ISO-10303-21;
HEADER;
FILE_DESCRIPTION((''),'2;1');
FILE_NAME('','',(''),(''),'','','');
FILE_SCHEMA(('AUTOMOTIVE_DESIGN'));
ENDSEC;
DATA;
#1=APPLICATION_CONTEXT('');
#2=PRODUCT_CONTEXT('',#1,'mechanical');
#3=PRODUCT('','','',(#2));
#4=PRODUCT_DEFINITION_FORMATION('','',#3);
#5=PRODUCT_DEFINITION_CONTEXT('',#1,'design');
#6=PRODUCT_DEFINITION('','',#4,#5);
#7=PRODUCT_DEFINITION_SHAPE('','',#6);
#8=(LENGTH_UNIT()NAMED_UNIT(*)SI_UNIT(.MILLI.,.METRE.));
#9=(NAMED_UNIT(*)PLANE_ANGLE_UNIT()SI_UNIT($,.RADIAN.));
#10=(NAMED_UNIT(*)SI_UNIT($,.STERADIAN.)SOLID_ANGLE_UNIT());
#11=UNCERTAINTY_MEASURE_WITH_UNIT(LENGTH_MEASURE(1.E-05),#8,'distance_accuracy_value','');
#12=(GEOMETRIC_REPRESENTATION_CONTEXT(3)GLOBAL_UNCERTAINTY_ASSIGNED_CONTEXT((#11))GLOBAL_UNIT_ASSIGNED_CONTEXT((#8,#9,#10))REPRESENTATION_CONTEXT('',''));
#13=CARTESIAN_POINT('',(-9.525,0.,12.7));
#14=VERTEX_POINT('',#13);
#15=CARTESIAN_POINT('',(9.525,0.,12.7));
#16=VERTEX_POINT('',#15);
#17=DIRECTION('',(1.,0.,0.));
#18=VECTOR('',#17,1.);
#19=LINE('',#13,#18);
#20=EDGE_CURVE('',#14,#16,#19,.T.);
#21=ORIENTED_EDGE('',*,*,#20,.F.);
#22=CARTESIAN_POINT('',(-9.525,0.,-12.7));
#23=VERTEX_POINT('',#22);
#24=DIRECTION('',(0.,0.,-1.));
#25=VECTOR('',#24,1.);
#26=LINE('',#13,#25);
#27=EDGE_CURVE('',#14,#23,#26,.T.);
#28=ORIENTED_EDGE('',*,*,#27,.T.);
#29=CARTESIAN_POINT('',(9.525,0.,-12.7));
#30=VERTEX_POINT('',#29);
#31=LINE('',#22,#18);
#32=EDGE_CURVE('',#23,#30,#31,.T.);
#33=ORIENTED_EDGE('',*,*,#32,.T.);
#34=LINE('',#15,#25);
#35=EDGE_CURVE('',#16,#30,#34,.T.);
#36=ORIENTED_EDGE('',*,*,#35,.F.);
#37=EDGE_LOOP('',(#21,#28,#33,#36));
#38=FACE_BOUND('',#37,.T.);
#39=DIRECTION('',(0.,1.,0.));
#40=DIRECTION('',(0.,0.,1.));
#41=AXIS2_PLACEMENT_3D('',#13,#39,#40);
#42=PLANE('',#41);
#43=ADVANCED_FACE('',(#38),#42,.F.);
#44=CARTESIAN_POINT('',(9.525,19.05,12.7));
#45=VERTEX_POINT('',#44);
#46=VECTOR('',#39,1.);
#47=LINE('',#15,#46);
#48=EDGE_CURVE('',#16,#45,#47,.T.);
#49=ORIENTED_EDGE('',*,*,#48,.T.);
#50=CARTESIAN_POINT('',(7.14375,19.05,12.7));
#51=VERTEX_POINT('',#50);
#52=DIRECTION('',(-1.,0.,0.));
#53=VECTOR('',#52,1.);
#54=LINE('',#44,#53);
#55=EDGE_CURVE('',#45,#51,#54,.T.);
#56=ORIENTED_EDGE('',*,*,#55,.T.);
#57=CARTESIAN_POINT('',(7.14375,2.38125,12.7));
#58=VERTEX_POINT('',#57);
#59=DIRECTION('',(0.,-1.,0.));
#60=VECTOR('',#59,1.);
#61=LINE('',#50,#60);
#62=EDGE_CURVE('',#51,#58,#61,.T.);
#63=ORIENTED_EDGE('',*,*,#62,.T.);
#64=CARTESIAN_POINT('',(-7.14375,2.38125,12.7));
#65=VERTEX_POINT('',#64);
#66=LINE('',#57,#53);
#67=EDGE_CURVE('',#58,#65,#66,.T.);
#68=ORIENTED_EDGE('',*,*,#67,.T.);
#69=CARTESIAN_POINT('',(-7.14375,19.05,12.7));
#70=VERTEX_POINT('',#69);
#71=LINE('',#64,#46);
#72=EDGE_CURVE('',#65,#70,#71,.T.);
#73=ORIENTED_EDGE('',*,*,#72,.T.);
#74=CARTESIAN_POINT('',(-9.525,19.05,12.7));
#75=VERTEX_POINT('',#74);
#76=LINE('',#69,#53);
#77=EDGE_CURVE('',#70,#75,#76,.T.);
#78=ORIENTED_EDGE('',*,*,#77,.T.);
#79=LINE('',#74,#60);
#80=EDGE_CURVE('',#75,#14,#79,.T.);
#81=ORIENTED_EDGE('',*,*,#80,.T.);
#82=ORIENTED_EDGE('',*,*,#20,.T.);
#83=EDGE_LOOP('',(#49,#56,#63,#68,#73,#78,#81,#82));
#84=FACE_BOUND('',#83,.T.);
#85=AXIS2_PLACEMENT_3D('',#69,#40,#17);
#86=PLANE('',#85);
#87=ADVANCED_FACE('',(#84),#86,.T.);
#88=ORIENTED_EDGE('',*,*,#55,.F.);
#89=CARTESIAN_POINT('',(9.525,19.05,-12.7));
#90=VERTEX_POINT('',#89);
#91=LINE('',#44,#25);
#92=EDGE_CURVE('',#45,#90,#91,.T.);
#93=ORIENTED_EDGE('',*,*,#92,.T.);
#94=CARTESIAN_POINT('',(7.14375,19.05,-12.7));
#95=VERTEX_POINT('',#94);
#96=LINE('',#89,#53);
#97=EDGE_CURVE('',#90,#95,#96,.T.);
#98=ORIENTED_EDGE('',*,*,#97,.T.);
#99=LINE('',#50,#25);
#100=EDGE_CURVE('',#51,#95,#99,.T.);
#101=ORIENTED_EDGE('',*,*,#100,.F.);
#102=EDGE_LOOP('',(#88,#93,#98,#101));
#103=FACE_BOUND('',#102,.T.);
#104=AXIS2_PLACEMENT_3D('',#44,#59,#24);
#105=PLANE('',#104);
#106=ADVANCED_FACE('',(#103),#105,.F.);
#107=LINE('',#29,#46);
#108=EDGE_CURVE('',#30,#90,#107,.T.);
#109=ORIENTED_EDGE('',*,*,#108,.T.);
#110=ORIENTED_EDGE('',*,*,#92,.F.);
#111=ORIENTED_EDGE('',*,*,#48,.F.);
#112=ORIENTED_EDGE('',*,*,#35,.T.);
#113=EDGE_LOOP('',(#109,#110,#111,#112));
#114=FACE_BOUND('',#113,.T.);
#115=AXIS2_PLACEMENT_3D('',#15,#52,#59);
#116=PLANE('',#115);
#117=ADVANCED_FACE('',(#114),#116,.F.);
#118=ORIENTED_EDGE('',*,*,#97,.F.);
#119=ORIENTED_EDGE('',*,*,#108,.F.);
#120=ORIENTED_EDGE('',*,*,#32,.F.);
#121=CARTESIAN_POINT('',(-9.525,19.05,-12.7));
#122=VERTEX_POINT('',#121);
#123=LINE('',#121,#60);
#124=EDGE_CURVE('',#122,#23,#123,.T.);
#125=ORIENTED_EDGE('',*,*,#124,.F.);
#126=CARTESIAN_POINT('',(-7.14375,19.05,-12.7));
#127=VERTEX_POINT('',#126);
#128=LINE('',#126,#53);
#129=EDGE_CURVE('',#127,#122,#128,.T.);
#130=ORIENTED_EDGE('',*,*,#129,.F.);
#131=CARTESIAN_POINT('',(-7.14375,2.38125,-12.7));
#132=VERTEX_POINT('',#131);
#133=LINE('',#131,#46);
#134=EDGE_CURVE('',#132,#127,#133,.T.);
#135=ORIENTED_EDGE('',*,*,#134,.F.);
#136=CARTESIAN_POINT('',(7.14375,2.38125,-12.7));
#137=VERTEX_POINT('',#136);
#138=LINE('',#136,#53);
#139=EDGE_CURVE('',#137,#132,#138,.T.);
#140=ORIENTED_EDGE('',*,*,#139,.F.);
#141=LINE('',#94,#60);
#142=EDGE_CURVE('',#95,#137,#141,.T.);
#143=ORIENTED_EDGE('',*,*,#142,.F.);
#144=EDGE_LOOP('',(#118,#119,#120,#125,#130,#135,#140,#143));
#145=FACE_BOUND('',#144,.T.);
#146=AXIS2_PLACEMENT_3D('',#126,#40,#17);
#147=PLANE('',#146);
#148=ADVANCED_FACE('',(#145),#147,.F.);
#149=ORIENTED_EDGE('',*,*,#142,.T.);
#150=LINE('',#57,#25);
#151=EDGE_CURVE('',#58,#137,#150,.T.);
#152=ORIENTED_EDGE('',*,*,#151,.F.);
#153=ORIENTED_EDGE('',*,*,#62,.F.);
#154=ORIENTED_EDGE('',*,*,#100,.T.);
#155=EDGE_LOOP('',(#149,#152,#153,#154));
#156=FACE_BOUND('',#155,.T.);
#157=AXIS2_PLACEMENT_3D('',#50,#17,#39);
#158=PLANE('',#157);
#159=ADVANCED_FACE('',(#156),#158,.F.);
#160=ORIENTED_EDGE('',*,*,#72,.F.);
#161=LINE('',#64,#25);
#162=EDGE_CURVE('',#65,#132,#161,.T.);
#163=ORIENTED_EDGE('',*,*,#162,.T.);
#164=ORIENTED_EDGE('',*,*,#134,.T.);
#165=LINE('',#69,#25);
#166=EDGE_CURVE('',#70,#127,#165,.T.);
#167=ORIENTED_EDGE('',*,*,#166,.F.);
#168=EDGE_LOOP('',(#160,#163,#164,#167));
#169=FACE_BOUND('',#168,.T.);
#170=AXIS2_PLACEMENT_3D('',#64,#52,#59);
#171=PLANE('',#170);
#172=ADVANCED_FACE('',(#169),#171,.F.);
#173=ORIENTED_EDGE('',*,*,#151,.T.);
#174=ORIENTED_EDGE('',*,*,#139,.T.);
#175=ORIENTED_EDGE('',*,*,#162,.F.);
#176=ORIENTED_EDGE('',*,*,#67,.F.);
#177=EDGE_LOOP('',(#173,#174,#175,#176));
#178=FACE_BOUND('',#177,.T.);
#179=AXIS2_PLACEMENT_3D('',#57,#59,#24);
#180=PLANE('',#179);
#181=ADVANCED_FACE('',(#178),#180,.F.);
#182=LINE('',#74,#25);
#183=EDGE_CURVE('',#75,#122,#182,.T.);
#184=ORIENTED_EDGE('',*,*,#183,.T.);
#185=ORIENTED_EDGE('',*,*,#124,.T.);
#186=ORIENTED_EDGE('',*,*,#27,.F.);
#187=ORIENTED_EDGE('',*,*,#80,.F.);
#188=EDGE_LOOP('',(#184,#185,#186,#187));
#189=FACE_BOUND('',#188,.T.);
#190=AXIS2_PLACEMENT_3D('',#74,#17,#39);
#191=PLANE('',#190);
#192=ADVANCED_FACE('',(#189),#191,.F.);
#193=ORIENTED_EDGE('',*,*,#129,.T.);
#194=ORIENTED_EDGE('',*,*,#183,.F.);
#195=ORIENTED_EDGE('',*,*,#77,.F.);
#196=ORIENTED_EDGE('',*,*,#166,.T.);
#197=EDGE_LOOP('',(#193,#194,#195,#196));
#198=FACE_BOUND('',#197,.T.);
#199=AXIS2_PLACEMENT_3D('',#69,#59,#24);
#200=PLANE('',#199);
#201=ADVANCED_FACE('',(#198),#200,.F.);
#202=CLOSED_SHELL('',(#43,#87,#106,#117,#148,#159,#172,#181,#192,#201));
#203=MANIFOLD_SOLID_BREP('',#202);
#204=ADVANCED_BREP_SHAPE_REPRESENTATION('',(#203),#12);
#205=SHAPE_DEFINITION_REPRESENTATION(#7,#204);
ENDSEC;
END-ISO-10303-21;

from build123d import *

# Parameters (mm, degrees)
BOSS_EXTRUDE1_DEPTH = 12.7


with BuildPart() as part:
    # Sketch1 → Boss-Extrude1 (new, symmetric)
    with BuildSketch(Plane.XY):
        Polygon((-7.14375, 19.05), (-9.525, 19.05), (-9.525, 0), (9.525, 0), (9.525, 19.05), (7.14375, 19.05), (7.14375, 2.38125), (-7.14375, 2.38125), align=None)
    extrude(amount=BOSS_EXTRUDE1_DEPTH, both=True)


solid = part.part
